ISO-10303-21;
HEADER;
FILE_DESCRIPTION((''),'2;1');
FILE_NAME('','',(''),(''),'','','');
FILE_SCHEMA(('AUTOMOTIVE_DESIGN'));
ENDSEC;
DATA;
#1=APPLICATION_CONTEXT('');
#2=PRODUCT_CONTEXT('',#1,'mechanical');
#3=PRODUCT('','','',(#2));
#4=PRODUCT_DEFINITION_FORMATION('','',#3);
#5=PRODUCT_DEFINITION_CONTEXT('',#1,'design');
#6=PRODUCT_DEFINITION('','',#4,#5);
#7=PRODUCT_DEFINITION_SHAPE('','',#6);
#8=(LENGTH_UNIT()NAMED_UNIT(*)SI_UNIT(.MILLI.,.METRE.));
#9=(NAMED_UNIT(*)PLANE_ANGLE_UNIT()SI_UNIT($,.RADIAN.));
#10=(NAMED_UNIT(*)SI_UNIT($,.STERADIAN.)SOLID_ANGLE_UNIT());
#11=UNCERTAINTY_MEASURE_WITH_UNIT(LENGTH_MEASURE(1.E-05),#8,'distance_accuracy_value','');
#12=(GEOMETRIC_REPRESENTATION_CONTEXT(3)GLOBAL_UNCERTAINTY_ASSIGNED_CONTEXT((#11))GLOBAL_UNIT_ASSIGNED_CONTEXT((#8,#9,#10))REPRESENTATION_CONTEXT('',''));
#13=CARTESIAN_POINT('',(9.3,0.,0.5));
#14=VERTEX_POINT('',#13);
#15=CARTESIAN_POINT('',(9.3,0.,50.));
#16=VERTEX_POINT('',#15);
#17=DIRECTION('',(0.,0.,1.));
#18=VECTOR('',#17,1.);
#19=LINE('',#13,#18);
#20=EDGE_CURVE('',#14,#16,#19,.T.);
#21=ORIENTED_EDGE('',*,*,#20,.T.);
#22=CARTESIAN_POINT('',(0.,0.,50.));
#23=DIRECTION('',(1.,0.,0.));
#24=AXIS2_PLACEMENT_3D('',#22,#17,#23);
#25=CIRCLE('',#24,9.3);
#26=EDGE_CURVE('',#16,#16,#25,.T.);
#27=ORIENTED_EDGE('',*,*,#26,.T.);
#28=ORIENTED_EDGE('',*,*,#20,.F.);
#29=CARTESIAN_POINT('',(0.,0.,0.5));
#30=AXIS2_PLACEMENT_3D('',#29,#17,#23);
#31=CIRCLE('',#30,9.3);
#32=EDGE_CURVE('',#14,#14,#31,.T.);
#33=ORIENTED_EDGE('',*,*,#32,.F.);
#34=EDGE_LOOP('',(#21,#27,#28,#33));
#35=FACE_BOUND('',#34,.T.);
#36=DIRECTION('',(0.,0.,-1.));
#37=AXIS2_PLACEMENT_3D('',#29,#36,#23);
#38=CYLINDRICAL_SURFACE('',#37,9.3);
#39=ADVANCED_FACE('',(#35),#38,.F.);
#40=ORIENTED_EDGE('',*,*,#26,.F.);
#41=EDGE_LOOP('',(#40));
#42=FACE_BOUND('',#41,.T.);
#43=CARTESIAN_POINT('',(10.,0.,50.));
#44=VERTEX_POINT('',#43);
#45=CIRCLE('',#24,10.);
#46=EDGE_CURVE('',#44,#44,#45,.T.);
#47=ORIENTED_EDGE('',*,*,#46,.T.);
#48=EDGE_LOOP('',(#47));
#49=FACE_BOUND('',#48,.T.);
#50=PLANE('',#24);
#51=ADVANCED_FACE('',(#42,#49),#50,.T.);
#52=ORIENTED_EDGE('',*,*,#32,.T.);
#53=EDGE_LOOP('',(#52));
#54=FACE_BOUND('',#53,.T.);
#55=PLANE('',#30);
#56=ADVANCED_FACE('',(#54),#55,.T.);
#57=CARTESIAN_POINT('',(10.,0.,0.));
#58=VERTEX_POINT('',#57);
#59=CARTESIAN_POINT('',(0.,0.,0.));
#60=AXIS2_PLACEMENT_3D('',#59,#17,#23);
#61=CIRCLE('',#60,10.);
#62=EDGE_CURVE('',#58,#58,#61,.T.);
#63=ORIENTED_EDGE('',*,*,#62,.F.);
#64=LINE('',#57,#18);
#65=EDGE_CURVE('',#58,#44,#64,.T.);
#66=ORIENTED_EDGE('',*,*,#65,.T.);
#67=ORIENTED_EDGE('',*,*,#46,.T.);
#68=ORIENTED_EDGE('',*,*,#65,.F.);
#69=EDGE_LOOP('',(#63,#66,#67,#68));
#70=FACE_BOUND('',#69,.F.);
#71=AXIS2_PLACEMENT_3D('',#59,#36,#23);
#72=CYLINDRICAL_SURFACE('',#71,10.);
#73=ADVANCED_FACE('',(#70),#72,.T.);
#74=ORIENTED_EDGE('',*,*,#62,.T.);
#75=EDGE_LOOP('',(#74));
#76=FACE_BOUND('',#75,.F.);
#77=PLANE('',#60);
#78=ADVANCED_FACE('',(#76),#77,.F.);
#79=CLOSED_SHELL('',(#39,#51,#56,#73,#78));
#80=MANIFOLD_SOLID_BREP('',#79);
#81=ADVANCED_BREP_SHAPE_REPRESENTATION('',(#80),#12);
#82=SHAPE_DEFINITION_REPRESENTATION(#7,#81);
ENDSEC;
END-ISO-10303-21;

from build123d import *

# Parameters (mm, degrees)
CYLINDER001_R     = 9.3
CYLINDER001_DEPTH = 49.5
CYLINDER_R        = 10
CYLINDER_DEPTH    = 50


with BuildPart() as cylinder001:
    # Cylinder001 → Cylinder001 (new body)
    with BuildSketch(Plane.XY.offset(0.5)):
        Circle(CYLINDER001_R)
    extrude(amount=CYLINDER001_DEPTH)


with BuildPart() as cut:
    # Cylinder → Cylinder (new body)
    with BuildSketch(Plane.XY):
        Circle(CYLINDER_R)
    extrude(amount=CYLINDER_DEPTH)

    # Cut: cut Cylinder001
    add(cylinder001.part, mode=Mode.SUBTRACT)


solid = cut.part
